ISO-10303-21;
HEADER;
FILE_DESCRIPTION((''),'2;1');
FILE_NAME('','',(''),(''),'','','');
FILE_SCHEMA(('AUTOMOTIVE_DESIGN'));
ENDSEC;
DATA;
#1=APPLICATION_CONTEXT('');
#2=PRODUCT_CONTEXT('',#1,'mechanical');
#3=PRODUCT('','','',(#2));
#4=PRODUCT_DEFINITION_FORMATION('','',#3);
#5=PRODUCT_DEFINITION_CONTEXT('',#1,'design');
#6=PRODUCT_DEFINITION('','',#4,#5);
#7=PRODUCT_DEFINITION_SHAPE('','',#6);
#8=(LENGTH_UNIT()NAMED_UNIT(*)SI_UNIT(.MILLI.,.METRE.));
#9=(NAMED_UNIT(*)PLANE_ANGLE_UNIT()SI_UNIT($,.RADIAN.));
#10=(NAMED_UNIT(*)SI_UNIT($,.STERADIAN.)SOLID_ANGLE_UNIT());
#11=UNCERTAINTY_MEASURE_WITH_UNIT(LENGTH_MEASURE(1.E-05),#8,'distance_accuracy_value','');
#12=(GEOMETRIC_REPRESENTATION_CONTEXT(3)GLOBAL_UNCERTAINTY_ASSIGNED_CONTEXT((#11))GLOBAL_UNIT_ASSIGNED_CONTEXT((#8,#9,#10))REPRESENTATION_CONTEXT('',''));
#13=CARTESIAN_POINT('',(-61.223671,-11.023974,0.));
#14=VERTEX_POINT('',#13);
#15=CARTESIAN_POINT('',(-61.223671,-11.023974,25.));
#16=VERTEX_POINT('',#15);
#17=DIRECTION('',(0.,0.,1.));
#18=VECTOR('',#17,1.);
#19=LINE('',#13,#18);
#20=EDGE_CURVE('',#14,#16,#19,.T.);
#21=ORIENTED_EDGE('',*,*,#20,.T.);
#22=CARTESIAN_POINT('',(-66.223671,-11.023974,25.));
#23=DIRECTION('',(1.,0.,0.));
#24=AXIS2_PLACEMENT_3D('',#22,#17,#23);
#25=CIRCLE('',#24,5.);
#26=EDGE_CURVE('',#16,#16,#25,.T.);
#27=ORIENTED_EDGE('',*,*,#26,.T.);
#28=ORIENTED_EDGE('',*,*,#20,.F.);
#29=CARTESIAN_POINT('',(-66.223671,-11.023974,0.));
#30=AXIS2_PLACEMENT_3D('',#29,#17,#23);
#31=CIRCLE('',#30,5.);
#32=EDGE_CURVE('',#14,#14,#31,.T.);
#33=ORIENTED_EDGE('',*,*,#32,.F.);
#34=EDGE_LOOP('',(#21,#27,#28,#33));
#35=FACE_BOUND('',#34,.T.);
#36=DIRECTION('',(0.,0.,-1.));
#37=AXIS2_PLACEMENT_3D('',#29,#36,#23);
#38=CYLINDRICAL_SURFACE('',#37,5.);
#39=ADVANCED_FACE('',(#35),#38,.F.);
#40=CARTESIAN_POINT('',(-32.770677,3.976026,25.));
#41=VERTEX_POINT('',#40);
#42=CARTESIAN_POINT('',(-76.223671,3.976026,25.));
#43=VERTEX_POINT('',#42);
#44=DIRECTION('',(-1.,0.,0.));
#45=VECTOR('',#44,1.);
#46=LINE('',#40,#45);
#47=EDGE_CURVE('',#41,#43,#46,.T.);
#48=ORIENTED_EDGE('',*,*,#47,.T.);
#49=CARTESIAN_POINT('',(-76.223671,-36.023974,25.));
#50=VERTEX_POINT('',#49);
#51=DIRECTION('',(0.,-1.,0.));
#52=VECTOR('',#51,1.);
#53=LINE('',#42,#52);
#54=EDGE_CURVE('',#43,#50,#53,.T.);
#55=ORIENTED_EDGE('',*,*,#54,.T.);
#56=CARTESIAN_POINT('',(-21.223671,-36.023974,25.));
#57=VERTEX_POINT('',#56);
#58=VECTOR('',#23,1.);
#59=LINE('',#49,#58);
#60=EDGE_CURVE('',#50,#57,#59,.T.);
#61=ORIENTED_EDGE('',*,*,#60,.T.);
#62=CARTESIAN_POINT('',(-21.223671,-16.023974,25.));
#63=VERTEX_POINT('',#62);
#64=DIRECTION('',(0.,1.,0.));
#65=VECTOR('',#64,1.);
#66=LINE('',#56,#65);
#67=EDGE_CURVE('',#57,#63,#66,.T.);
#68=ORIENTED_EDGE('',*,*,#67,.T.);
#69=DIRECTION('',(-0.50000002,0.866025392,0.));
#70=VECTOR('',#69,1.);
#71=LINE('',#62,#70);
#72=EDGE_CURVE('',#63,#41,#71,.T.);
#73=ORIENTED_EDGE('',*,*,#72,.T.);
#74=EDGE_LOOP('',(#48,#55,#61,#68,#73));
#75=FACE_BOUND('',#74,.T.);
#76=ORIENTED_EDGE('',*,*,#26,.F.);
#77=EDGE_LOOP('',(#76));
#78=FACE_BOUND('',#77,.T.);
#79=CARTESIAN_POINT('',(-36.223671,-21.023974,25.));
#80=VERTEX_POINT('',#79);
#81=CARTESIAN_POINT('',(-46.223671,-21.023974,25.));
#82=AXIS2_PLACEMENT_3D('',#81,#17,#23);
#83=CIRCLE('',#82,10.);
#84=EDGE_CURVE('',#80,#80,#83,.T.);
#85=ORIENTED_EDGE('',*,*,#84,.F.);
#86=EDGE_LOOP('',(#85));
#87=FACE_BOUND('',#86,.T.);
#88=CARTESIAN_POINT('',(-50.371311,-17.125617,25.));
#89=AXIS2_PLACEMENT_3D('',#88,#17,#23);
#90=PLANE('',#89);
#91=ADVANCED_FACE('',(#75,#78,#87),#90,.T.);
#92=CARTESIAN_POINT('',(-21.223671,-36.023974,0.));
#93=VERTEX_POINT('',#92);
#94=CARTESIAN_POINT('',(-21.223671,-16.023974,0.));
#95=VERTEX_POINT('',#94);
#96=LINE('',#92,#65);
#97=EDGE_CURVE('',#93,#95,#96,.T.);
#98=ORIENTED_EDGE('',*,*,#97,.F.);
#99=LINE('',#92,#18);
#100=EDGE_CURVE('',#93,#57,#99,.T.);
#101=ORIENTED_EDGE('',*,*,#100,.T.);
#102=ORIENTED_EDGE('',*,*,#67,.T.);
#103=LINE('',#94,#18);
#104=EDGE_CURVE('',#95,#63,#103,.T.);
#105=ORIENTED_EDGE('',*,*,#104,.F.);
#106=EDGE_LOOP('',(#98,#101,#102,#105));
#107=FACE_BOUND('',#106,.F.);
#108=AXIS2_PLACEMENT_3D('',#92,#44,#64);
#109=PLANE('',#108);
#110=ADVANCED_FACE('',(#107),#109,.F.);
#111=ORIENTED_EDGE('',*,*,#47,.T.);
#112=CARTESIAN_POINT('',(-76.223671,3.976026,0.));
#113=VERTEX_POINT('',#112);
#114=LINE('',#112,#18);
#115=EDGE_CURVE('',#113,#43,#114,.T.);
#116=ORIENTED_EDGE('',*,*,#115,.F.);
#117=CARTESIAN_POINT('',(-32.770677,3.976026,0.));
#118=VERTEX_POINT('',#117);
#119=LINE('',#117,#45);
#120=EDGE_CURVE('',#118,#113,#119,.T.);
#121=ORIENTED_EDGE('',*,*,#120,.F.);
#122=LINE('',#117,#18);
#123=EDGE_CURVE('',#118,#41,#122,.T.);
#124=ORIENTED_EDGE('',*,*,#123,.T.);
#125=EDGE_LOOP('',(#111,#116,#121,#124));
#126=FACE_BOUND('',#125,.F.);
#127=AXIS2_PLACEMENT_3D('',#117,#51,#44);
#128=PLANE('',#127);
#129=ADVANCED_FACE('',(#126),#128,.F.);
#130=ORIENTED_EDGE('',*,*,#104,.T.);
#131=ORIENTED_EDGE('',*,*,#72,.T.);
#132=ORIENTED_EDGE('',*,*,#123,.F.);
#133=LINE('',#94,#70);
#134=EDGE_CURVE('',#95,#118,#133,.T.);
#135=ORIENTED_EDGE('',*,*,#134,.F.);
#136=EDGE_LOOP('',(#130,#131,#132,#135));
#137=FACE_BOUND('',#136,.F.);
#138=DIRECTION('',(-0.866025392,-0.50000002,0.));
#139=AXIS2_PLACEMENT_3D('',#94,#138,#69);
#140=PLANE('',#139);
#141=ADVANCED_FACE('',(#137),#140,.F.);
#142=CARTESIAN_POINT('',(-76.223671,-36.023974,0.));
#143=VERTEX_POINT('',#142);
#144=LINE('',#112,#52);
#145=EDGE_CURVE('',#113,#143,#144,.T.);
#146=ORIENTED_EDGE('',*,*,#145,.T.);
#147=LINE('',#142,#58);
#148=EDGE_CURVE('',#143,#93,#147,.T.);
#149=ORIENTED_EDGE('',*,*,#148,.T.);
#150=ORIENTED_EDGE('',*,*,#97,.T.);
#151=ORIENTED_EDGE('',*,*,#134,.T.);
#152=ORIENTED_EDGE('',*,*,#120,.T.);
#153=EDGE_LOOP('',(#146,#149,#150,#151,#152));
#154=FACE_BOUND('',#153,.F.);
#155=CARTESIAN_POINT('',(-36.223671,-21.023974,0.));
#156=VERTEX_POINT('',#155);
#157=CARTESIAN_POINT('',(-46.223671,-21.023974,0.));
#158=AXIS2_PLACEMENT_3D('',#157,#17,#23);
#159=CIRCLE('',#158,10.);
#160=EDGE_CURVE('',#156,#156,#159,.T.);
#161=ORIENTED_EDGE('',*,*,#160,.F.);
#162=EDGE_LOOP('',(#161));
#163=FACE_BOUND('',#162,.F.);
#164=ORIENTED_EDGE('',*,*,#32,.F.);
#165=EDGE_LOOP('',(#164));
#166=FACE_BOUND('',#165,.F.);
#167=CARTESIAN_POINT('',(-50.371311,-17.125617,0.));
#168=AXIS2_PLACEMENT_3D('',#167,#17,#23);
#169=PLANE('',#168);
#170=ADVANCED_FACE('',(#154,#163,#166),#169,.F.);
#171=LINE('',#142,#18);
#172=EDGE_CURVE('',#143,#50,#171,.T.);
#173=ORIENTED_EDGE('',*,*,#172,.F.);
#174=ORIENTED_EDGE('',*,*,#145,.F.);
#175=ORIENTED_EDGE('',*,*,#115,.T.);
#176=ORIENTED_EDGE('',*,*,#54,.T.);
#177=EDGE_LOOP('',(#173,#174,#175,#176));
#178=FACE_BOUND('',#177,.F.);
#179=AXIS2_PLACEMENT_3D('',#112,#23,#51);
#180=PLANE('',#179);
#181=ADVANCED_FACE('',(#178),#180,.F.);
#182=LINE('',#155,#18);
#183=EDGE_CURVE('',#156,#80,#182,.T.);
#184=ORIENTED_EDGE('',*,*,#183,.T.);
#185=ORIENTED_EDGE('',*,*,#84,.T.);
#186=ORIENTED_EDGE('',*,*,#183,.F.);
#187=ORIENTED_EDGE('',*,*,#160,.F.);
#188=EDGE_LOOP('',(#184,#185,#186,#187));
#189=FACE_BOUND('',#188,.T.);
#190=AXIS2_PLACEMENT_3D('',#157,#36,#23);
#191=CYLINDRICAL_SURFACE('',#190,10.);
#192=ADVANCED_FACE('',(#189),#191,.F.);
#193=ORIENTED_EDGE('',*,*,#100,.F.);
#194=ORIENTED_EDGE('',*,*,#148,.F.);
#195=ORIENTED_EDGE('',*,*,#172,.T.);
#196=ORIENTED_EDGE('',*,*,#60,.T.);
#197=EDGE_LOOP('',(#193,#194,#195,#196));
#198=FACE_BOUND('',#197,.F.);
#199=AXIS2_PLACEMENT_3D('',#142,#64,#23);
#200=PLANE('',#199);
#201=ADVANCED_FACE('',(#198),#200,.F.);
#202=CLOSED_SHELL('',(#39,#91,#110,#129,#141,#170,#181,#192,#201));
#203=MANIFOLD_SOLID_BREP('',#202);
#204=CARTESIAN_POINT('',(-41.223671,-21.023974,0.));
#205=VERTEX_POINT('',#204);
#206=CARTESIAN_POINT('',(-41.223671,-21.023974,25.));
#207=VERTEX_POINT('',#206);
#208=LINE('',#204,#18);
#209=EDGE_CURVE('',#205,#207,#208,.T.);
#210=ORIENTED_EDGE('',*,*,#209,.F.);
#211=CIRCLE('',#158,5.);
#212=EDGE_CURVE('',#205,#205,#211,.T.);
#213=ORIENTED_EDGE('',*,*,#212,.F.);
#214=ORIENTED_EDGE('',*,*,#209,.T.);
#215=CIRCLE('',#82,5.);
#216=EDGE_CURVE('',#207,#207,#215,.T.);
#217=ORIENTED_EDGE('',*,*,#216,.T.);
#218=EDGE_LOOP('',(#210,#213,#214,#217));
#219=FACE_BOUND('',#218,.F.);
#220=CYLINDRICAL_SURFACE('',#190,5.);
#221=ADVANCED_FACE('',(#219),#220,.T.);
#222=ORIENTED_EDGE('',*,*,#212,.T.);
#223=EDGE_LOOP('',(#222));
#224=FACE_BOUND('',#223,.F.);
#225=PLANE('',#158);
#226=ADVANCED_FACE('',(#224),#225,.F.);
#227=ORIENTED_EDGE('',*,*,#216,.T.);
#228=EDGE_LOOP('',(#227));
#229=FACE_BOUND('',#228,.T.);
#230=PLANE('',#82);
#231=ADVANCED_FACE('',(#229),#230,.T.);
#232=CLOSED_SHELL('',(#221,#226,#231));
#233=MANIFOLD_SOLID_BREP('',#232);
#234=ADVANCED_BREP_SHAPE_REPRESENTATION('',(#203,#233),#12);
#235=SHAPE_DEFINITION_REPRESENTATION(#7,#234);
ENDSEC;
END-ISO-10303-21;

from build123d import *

# Parameters (mm, degrees)
F0_R     = 10
F0_R_2   = 5
F1_DEPTH = 25


with BuildPart() as f1:
    # F0 (on Top) → F1 (new body)
    with BuildSketch(Plane.XY):
        Polygon((-76.223671, -11.023974), (-76.223671, -36.023974), (-21.223671, -36.023974), (-21.223671, -16.023974), (-32.770677, 3.976026), (-76.223671, 3.976026), align=None)
        with Locations((-46.223671, -21.023974)):
            Circle(F0_R, mode=Mode.SUBTRACT)
        with Locations((-66.223671, -11.023974)):
            Circle(F0_R_2, mode=Mode.SUBTRACT)
        with Locations((-46.223671, -21.023974)):
            Circle(F0_R_2)
    extrude(amount=F1_DEPTH)


solid = f1.part
